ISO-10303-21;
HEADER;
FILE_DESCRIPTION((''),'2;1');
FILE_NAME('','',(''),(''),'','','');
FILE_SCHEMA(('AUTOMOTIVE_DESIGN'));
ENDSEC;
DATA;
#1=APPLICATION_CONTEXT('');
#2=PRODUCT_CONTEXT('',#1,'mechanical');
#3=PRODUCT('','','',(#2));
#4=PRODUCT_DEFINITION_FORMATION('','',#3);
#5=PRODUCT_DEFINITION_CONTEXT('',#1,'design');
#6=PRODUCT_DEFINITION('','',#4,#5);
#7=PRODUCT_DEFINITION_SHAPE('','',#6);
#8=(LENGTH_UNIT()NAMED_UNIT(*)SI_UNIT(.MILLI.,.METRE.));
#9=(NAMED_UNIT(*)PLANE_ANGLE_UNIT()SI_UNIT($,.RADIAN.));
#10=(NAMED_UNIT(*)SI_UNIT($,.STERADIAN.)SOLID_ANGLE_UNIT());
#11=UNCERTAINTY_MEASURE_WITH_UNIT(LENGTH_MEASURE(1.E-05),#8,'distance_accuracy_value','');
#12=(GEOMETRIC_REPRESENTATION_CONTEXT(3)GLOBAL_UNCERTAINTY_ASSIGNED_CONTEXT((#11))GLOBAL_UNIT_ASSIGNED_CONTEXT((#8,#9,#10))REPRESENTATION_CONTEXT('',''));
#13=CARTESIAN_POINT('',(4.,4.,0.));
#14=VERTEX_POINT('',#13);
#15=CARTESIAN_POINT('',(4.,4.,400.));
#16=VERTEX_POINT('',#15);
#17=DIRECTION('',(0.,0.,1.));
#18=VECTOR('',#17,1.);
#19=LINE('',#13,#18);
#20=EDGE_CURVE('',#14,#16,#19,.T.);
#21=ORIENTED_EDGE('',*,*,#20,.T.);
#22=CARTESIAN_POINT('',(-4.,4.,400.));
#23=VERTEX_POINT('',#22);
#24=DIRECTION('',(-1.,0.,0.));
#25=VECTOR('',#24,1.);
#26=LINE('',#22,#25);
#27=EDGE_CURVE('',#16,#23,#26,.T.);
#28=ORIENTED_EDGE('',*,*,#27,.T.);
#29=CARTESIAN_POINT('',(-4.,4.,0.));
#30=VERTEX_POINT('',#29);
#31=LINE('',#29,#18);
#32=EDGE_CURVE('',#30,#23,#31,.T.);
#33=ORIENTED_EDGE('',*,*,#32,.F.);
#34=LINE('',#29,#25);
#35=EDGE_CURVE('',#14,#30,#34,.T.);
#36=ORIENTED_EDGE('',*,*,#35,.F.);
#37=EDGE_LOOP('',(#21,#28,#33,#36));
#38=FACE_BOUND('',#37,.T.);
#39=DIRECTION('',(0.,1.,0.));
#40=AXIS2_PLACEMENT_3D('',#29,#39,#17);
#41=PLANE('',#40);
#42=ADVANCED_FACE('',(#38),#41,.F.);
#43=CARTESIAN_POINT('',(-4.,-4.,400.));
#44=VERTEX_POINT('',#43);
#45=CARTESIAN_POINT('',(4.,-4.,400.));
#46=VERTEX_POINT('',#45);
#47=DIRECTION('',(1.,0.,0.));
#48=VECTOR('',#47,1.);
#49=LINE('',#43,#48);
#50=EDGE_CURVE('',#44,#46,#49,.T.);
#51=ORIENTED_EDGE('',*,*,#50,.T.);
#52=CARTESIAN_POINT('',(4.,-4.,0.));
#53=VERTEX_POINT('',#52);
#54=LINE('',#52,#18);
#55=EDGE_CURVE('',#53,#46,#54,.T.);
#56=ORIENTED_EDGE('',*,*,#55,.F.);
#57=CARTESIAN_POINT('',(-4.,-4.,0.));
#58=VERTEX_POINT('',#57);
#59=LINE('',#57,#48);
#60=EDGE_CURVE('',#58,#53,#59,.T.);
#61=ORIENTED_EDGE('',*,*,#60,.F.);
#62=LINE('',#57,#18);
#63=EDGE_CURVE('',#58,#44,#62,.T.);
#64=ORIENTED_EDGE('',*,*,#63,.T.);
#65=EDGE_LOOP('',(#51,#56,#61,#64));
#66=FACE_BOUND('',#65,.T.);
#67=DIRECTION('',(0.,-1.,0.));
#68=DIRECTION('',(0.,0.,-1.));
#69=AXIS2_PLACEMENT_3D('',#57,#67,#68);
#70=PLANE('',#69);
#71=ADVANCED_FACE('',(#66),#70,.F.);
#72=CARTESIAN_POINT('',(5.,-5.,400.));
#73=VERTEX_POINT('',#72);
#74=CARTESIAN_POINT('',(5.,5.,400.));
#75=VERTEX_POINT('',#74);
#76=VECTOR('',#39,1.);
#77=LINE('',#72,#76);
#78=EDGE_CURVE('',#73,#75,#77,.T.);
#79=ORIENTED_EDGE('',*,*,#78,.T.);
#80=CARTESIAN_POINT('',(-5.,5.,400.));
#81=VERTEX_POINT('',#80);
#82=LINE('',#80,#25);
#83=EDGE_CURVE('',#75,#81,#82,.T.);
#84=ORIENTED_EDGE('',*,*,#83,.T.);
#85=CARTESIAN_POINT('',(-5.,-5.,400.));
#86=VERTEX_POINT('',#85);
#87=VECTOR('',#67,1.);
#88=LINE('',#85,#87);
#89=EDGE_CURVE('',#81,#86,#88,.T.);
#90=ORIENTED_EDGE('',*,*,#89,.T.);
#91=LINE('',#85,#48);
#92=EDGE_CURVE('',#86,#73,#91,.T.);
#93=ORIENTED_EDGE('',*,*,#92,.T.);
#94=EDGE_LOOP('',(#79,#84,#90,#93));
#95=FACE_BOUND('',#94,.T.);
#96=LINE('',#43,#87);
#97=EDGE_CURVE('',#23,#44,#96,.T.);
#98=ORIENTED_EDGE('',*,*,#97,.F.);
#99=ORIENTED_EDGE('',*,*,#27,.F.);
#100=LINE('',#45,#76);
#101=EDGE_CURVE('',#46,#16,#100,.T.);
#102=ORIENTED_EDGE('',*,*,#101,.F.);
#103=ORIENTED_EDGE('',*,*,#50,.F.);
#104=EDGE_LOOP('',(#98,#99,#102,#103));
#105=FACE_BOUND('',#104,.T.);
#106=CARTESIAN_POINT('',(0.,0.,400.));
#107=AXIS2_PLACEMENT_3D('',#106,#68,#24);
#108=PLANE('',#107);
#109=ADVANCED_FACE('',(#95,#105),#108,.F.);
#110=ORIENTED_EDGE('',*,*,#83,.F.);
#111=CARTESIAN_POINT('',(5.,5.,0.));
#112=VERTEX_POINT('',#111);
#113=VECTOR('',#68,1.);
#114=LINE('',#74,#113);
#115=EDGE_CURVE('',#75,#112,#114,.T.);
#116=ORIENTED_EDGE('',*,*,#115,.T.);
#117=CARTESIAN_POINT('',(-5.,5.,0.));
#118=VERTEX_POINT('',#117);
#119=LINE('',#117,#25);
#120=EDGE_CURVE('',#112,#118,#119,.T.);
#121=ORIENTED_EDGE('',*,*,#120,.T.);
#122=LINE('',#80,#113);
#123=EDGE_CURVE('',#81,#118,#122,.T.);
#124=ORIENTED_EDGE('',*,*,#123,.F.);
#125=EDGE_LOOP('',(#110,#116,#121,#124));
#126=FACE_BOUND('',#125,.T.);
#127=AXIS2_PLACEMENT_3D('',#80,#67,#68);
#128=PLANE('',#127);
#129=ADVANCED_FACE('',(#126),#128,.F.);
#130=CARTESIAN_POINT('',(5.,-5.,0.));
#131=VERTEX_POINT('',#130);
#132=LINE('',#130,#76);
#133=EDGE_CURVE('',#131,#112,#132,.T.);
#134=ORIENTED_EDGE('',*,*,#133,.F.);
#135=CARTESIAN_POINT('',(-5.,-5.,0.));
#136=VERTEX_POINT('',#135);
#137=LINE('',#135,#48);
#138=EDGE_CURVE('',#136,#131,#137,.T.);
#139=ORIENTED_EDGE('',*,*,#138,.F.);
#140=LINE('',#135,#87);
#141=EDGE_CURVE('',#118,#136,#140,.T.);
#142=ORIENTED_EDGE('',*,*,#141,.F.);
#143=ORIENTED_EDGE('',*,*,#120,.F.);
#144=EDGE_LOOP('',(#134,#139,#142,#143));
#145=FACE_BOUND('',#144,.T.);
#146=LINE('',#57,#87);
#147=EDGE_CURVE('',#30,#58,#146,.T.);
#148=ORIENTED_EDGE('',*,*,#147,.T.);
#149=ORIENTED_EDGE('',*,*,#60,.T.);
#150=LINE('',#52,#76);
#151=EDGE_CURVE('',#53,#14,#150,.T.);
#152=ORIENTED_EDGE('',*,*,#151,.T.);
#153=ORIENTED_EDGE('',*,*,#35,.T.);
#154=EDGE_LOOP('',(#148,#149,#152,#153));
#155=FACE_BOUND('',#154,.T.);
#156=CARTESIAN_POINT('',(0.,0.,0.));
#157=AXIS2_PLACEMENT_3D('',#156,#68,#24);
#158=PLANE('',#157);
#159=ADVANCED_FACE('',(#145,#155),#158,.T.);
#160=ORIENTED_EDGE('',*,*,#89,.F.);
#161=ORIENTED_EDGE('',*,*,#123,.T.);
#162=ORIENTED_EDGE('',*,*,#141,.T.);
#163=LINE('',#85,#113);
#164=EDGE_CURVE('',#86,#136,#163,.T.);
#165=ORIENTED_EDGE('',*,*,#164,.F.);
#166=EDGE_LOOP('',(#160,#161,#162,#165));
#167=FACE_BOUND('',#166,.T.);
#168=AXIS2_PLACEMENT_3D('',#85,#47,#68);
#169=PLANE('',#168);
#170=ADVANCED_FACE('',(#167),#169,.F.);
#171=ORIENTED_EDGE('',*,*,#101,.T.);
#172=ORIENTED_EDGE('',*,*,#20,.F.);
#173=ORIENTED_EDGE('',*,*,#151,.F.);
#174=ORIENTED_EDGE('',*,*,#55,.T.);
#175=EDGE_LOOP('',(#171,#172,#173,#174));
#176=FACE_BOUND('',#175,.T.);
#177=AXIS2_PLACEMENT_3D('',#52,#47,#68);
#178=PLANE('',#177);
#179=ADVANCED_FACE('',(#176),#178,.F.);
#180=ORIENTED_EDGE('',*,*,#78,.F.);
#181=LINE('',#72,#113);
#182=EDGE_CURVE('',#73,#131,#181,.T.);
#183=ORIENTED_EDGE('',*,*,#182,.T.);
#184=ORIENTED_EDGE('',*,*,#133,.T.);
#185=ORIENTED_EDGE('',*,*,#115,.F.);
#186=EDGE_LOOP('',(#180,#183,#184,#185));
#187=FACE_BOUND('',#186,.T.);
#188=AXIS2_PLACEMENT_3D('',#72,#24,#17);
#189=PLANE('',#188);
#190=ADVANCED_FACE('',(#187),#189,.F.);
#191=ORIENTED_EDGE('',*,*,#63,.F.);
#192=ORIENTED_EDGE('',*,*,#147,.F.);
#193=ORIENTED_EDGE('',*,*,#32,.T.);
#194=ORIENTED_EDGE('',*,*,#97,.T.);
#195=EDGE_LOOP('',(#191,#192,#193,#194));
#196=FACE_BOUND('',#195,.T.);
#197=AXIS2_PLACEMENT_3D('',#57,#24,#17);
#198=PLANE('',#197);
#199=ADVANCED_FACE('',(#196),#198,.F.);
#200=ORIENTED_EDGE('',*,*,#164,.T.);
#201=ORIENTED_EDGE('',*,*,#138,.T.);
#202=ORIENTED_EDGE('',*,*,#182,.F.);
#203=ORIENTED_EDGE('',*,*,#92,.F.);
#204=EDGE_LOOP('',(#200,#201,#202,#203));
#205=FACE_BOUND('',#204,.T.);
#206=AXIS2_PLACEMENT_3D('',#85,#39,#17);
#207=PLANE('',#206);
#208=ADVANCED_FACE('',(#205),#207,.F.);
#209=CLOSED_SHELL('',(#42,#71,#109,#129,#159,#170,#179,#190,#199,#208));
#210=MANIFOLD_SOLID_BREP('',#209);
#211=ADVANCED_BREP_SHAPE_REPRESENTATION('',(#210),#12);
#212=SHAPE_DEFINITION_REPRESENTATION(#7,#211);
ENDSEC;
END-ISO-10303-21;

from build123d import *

# Parameters (mm, degrees)
SKETCH2_W           = 10
SKETCH2_H           = 10
BOSS_EXTRUDE1_DEPTH = 400
SKETCH3_W           = 8
SKETCH3_H           = 8
CUT_EXTRUDE1_DEPTH  = 400


with BuildPart() as part:
    # Sketch2 → Boss-Extrude1 (new body)
    with BuildSketch(Plane.XY):
        Rectangle(SKETCH2_W, SKETCH2_H)
    extrude(amount=BOSS_EXTRUDE1_DEPTH)

    # Sketch3 → Cut-Extrude1 (cut)
    with BuildSketch(Plane.XY.offset(400)):
        Rectangle(SKETCH3_W, SKETCH3_H)
    extrude(amount=-CUT_EXTRUDE1_DEPTH, mode=Mode.SUBTRACT)


solid = part.part
